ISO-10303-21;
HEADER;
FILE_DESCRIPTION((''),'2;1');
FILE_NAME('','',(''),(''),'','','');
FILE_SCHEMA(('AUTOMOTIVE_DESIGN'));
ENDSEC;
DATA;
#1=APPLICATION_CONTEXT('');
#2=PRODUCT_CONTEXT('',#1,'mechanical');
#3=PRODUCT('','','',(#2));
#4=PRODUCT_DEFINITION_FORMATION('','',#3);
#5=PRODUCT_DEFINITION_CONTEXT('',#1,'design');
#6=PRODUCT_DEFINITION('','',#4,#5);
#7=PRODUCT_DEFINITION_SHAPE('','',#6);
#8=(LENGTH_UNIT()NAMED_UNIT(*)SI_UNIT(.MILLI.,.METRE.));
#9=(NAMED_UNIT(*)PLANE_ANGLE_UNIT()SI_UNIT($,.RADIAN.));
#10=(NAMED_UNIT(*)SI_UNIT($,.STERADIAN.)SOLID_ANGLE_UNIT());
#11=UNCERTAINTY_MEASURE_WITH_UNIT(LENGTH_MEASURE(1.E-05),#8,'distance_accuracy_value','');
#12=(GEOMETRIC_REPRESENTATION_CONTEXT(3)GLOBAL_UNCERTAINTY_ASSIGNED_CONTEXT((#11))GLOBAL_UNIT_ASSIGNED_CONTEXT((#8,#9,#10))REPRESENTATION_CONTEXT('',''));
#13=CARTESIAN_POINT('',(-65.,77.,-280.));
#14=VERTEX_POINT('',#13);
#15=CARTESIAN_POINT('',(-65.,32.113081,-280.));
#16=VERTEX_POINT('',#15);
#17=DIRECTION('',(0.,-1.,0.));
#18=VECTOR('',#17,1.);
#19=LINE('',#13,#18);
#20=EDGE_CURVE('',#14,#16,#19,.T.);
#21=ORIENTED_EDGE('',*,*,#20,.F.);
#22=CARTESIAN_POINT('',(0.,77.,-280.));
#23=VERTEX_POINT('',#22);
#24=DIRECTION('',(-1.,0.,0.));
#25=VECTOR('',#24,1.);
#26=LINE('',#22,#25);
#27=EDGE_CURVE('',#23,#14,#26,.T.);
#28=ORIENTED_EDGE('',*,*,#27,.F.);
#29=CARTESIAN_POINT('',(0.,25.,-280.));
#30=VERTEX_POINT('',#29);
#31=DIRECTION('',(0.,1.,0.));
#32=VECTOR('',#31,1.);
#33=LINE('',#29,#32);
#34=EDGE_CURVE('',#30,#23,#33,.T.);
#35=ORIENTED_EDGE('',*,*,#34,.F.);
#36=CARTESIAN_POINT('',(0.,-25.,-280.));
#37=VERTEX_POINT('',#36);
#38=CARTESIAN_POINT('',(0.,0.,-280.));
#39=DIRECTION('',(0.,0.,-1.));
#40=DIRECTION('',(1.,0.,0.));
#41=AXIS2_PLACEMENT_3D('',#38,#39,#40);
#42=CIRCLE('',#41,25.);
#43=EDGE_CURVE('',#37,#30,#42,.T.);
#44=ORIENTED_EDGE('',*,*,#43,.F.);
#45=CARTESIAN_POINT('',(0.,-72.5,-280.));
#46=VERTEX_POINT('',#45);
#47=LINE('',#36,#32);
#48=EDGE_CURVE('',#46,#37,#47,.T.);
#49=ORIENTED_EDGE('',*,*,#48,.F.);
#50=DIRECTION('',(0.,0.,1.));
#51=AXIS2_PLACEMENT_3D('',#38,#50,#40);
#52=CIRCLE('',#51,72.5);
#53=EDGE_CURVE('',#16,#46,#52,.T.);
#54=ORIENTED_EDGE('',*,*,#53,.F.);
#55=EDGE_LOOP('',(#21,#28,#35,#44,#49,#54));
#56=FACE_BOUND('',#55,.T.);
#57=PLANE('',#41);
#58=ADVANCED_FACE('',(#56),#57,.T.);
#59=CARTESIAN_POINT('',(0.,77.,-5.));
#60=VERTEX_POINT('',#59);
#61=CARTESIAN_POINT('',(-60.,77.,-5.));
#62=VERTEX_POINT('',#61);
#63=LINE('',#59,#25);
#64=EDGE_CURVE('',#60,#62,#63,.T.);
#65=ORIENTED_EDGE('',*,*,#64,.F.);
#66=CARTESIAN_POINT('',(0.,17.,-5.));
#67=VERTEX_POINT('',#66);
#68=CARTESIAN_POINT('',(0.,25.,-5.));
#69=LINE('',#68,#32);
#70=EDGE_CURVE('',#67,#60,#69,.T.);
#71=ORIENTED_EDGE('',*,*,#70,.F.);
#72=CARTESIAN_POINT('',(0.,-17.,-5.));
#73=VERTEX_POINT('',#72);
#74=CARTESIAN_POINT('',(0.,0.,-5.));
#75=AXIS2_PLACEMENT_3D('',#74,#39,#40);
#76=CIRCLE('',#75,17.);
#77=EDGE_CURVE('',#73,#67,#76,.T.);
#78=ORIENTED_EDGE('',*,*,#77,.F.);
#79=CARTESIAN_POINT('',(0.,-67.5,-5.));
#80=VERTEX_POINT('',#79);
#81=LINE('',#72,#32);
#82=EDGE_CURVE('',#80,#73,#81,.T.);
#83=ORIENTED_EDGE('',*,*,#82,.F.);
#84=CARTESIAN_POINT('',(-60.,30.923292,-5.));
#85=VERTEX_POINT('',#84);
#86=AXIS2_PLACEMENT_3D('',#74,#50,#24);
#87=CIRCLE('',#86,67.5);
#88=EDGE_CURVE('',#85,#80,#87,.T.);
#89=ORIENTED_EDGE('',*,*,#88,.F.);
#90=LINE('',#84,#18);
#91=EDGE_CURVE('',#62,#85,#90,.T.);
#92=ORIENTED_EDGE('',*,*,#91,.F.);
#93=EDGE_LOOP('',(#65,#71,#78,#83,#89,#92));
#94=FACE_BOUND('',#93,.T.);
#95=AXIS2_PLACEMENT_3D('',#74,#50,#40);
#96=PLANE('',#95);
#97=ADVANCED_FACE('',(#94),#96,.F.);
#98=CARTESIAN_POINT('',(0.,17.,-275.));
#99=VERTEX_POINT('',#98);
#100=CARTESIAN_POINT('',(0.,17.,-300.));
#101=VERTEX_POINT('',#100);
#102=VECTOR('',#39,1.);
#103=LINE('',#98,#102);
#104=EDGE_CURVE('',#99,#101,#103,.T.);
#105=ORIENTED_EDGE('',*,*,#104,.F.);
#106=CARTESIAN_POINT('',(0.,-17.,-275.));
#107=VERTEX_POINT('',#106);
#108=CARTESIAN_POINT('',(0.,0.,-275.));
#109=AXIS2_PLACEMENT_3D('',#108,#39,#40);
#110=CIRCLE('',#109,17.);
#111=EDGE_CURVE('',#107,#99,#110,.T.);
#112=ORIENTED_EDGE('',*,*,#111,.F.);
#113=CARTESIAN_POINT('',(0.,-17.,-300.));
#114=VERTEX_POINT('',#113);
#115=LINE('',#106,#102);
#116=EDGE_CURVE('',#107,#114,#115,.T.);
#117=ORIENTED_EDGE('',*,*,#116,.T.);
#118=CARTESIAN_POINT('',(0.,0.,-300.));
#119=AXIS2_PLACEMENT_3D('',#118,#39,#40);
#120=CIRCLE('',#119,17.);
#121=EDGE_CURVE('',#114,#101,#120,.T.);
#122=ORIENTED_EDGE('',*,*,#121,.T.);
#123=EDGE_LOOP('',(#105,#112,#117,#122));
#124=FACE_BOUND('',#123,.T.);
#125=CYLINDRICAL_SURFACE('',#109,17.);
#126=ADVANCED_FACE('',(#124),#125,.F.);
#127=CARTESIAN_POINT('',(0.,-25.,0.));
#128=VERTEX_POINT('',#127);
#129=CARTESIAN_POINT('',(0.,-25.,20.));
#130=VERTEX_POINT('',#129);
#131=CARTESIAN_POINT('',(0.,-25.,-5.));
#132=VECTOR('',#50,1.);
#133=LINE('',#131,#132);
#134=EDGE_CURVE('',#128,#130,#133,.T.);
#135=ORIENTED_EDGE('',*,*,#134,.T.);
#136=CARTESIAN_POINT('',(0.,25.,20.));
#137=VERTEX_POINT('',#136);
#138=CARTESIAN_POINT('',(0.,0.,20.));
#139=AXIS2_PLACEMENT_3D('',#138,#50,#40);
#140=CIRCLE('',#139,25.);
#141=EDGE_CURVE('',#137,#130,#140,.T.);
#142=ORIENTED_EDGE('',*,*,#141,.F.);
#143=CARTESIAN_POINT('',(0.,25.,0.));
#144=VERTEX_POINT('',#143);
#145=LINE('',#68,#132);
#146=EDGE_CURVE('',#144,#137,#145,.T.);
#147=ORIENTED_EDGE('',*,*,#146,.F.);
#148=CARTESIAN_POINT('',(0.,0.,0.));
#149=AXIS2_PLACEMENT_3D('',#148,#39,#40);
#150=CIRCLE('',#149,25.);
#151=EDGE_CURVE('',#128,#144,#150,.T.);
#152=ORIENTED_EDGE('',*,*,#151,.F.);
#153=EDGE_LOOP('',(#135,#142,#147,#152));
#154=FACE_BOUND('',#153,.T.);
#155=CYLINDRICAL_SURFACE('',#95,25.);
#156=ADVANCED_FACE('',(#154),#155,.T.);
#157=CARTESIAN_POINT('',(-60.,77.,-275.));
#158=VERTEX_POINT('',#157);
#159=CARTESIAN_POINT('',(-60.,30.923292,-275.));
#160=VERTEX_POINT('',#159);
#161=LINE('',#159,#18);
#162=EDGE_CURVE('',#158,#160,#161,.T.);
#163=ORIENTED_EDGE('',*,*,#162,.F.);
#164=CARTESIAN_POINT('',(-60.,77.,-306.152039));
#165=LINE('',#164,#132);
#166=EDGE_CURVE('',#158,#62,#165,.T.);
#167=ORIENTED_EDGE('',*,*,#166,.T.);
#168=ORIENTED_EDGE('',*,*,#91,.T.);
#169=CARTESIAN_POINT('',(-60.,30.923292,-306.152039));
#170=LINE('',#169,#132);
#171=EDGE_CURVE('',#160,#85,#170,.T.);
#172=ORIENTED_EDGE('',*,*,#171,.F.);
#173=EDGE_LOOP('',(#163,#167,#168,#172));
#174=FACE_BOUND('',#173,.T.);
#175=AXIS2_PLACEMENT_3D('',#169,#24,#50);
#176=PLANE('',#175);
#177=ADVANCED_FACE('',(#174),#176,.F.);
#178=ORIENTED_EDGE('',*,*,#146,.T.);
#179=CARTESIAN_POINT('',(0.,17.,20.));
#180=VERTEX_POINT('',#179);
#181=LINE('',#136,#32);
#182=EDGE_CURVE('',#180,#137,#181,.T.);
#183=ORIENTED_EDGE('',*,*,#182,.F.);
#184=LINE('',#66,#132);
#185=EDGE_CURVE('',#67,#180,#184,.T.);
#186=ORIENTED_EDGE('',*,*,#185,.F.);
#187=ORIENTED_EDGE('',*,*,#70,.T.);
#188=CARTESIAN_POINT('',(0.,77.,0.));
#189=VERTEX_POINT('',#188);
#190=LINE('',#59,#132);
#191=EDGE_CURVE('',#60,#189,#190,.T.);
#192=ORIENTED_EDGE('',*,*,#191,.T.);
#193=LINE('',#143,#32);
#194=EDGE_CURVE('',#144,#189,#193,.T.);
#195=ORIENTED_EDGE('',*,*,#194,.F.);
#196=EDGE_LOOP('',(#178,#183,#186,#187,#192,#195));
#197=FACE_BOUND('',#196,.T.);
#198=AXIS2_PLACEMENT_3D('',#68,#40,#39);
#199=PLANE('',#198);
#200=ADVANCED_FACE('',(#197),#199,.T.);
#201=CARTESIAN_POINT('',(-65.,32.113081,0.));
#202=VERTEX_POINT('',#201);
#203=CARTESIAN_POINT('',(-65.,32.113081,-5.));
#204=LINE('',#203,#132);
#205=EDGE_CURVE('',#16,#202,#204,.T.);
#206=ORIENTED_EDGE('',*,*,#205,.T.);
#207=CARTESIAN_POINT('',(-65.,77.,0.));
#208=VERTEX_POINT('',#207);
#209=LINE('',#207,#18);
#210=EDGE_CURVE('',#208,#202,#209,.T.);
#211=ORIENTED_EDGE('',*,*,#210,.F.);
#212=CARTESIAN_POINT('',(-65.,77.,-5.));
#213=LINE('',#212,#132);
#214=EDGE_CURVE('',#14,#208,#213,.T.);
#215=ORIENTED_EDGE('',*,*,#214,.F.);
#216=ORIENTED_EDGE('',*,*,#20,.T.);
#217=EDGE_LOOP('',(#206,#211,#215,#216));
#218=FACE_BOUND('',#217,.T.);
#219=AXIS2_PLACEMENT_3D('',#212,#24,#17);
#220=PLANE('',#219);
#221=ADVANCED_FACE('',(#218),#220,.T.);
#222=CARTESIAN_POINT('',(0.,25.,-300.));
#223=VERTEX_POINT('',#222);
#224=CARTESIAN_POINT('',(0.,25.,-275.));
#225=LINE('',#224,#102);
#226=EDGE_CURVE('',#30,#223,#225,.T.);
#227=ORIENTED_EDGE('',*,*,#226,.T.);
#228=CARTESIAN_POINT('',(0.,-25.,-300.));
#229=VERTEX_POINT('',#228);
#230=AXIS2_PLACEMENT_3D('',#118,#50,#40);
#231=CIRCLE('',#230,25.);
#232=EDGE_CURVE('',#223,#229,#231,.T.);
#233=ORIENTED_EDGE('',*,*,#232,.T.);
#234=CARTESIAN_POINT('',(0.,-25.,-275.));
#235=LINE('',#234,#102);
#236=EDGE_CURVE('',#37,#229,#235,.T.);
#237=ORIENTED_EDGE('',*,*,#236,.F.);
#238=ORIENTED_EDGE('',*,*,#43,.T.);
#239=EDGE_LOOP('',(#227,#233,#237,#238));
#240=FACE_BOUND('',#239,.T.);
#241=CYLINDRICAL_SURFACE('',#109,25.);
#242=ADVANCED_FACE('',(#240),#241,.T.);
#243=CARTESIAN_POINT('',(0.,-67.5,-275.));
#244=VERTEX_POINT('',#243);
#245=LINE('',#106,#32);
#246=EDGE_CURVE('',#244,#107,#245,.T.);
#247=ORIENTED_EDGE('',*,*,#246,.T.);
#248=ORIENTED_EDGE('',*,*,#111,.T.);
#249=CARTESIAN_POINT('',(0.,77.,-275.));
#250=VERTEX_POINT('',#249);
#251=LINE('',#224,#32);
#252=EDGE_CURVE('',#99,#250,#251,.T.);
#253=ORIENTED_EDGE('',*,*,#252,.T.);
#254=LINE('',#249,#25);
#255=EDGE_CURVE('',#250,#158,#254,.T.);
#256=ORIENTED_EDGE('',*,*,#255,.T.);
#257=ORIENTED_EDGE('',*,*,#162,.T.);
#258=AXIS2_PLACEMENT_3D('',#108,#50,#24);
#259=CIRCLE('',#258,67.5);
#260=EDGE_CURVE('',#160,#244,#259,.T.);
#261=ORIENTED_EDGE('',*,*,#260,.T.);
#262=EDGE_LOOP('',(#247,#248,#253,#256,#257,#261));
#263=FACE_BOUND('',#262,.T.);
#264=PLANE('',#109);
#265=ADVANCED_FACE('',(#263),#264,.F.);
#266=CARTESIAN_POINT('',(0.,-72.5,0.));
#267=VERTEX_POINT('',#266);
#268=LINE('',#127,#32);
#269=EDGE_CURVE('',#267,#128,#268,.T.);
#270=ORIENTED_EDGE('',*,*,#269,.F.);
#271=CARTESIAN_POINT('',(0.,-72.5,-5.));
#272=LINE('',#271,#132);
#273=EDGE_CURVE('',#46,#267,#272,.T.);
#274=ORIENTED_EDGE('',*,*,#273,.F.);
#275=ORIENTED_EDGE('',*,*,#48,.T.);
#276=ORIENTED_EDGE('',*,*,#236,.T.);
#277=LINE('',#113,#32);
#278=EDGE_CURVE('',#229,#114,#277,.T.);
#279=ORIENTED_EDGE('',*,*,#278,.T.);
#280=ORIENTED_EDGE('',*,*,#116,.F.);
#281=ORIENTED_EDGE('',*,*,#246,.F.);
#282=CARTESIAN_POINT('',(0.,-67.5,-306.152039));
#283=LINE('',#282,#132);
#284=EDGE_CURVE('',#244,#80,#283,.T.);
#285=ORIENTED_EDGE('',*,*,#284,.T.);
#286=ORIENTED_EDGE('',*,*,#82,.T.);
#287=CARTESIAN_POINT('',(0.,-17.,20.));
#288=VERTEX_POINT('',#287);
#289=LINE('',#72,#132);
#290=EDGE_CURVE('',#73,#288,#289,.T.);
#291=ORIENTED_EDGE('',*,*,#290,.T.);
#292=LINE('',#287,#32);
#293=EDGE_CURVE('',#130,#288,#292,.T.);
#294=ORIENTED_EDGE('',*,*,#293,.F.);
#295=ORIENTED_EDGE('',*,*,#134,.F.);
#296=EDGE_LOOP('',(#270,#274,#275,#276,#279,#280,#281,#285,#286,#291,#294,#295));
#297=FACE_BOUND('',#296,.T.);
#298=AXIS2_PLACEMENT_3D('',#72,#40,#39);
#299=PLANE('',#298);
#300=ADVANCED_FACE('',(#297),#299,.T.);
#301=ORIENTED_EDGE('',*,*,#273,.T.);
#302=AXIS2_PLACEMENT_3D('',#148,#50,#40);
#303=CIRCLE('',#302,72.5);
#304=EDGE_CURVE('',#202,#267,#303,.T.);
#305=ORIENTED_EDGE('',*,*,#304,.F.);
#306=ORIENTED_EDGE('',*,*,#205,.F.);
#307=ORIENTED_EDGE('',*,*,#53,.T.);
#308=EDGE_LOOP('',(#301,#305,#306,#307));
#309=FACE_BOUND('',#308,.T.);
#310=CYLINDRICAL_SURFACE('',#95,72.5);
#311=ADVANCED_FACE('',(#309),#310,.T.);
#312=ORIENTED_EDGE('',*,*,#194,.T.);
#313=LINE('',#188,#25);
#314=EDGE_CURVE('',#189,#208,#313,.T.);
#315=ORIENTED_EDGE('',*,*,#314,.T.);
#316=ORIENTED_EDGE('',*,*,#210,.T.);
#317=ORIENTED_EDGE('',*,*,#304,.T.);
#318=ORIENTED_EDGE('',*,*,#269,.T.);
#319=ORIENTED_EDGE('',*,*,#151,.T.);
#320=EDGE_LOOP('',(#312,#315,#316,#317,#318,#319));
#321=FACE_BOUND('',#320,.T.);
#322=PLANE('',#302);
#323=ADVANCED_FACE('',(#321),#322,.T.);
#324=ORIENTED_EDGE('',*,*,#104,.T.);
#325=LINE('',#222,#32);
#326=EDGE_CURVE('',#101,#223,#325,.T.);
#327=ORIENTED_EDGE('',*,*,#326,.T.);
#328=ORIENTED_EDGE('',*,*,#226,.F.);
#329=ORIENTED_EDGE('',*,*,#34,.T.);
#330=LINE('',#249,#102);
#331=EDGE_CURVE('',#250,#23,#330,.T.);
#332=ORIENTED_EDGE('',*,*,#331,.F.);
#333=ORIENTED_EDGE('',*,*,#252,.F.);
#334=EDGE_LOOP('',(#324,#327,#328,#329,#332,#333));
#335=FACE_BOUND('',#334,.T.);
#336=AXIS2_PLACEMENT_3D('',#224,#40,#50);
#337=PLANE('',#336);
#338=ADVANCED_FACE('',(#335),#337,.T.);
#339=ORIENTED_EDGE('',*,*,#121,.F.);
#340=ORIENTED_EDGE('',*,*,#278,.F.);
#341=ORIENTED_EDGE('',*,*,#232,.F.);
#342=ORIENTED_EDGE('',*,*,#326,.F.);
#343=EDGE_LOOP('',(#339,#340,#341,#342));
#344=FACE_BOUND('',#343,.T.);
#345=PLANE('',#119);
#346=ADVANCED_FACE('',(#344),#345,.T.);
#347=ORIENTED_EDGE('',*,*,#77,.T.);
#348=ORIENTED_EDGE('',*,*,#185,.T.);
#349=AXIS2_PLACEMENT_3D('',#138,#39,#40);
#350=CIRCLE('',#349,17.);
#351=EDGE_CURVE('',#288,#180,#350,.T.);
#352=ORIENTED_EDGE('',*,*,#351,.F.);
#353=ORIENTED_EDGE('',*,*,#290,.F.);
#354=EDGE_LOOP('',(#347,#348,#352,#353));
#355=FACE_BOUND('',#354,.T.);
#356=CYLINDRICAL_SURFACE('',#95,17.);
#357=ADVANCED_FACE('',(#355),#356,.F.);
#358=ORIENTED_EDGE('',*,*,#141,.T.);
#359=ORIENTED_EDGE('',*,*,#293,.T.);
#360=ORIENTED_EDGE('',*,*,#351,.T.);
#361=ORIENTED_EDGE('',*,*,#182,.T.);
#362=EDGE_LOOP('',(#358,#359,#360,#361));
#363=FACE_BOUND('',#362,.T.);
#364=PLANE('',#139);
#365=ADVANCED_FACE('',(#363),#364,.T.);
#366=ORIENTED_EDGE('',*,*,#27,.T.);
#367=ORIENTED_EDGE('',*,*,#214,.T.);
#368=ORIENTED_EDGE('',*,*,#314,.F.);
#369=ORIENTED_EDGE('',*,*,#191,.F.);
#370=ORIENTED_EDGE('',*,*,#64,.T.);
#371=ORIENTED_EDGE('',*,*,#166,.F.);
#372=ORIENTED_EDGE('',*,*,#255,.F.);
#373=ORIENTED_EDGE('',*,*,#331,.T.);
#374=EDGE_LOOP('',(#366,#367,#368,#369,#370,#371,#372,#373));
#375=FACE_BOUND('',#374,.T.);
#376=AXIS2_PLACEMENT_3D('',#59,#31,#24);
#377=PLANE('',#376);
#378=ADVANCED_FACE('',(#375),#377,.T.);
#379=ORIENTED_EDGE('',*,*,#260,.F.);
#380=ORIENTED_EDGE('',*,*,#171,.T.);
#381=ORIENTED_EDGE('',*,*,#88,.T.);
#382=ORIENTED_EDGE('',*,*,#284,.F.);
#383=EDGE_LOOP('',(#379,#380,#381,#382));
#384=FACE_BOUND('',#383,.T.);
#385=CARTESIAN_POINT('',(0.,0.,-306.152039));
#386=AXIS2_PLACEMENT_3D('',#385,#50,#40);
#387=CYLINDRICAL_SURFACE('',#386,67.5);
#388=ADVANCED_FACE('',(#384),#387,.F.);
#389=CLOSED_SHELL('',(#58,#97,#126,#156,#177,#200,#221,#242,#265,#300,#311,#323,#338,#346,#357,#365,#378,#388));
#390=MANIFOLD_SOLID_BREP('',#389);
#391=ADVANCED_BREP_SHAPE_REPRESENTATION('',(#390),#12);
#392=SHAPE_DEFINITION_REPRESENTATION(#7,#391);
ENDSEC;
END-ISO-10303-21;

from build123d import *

# Parameters (mm, degrees)
BOSS_EXTRUDE1_DEPTH      = 20
BOSS_EXTRUDE1_DEPTH_BACK = 5
BOSS_EXTRUDE2_START      = -5
BOSS_EXTRUDE2_DEPTH      = 5
BOSS_EXTRUDE3_START      = 135
BOSS_EXTRUDE3_DEPTH      = 135


with BuildPart() as part:
    # Sketch1 → Boss-Extrude1 (new, two sides: drawn at the far end of the back side and taken through both)
    with BuildSketch(Plane.XY.offset(-BOSS_EXTRUDE1_DEPTH_BACK)):
        with BuildLine():
            Line((0, 25), (0, 17))
            ThreePointArc((0, 17), (-17, 0), (0, -17))
            Line((0, -17), (0, -25))
            ThreePointArc((0, -25), (-25, 0), (0, 25))
        make_face()
    extrude(amount=BOSS_EXTRUDE1_DEPTH + BOSS_EXTRUDE1_DEPTH_BACK)

    # Sketch2 → Boss-Extrude2 (add)
    with BuildSketch(Plane.XY.offset(BOSS_EXTRUDE2_START)):
        with BuildLine():
            Line((0, 25), (0, 77))
            Line((0, 77), (-65, 77))
            Line((-65, 77), (-65, 32.113081447))
            ThreePointArc((-65, 32.113081447), (-61.581037686, -38.262590053), (0, -72.5))
            Line((0, -72.5), (0, -25))
            ThreePointArc((0, -25), (-25, 0), (0, 25))
        make_face()
    extrude(amount=BOSS_EXTRUDE2_DEPTH)

    # Sketch3 → Boss-Extrude3 (add)
    with BuildSketch(Plane(origin=(0, 0, -5), x_dir=(-1, 0, 0), z_dir=(0, 0, -1)).offset(BOSS_EXTRUDE3_START)):
        with BuildLine():
            Line((60, 30.923292192), (60, 77))
            Line((60, 77), (65, 77))
            Line((65, 77), (65, 32.113081447))
            ThreePointArc((65, 32.113081447), (61.581037686, -38.262590053), (0, -72.5))
            Line((0, -72.5), (0, -67.5))
            ThreePointArc((0, -67.5), (57.634938288, -35.134938288), (60, 30.923292192))
        make_face()
    extrude(amount=-BOSS_EXTRUDE3_DEPTH)

    # Mirror5: part across plane


with BuildPart() as part_1:
    add(part.part)
    add(part.part.mirror(Plane.XY.offset(-140)))


solid = part_1.part
